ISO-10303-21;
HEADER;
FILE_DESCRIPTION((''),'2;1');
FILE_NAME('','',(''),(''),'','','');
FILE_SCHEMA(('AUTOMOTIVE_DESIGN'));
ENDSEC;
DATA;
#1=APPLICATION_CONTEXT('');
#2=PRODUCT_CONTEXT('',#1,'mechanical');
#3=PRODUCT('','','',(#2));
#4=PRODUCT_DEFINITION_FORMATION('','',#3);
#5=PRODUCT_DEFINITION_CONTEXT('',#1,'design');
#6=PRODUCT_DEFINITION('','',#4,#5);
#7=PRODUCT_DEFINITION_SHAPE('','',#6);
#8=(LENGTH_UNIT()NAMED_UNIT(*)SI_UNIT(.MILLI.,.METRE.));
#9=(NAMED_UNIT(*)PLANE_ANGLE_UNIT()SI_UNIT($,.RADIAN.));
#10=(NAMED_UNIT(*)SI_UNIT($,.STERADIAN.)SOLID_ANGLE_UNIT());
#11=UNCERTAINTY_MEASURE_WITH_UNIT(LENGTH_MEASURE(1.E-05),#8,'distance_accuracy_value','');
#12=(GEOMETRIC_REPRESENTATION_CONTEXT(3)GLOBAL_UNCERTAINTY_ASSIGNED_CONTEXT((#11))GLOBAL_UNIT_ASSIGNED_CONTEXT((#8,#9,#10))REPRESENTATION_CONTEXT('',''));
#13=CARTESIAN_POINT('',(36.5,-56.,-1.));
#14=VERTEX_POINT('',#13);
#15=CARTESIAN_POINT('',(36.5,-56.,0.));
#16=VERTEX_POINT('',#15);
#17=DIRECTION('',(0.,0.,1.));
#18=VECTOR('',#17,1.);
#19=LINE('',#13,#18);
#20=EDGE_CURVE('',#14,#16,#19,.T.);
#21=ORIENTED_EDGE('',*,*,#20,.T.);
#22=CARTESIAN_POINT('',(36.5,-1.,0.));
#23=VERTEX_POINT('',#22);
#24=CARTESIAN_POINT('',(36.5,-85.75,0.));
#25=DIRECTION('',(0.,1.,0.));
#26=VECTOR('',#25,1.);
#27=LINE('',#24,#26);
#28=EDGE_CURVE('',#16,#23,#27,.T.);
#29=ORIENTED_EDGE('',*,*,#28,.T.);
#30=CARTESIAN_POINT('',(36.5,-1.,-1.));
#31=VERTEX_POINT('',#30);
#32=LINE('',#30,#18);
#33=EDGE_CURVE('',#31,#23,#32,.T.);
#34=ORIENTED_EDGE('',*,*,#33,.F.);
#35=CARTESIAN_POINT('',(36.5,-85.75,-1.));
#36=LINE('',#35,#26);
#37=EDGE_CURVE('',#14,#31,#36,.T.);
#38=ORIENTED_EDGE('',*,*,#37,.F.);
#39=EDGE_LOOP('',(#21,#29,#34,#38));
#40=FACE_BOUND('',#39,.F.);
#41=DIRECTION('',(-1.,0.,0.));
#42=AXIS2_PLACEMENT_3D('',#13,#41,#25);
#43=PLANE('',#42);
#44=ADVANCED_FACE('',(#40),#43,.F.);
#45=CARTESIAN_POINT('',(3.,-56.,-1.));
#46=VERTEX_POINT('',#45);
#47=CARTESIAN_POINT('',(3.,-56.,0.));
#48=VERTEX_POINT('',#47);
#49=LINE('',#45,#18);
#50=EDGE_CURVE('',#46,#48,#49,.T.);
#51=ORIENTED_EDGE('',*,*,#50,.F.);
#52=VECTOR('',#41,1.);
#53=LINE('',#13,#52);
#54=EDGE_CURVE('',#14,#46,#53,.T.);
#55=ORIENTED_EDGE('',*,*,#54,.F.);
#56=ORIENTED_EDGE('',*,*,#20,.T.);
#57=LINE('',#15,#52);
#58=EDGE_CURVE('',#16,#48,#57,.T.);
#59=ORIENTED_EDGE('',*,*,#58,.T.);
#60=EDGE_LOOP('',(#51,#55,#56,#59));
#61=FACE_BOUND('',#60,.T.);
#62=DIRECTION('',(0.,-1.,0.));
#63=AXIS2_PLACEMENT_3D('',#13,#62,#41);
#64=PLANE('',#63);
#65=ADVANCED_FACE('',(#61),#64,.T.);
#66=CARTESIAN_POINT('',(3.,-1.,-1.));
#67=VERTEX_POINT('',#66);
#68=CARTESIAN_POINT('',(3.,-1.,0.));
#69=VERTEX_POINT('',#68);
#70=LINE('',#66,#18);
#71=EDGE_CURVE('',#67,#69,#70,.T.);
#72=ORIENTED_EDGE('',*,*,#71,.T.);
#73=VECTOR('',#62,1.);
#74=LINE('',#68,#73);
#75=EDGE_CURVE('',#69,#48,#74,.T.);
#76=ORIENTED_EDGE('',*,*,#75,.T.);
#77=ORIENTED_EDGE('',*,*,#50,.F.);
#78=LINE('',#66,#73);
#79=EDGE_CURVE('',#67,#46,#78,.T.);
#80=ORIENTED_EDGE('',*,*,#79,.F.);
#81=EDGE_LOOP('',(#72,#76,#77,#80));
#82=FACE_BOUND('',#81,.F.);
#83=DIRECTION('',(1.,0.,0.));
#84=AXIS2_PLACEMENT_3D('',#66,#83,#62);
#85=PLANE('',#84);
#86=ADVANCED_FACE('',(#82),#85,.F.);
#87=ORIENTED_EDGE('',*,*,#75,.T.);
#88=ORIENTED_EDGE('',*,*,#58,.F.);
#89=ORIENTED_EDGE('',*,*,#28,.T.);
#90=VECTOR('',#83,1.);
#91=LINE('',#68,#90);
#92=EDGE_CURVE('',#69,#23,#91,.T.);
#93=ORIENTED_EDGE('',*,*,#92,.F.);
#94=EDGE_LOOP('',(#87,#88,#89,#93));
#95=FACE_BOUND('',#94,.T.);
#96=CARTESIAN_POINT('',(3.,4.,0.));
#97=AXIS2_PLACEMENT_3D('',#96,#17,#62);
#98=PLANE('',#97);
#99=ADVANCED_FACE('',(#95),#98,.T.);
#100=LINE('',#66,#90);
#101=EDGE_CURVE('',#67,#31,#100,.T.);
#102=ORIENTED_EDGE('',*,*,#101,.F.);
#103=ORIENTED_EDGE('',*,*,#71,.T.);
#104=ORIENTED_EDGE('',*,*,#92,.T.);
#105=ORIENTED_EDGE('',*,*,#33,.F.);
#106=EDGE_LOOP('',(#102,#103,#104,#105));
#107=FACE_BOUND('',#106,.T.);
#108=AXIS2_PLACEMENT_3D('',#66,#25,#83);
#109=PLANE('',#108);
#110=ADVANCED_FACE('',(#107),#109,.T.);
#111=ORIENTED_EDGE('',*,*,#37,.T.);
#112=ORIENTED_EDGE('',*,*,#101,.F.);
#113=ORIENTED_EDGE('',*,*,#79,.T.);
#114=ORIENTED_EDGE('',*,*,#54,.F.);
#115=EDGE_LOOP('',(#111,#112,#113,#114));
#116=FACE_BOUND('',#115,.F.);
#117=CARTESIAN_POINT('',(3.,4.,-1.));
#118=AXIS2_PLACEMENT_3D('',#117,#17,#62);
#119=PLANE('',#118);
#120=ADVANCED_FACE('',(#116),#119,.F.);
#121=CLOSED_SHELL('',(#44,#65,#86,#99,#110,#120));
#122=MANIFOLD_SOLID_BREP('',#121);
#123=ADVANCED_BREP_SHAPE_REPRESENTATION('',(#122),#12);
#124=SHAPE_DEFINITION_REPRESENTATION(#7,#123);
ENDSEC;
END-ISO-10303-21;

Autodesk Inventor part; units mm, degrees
ref_plane "YZ Plane" through (0, 0, 0) normal (1, 0, 0) x (0, 1, 0)
ref_plane "XZ Plane" through (0, 0, 0) normal (0, 1, 0) x (-1, 0, 0)
ref_plane "XY Plane" through (0, 0, 0) normal (0, 0, 1) x (1, 0, 0)
ref_plane "Work Plane1" through (3, 4, -1) normal (0, 0, 1) x (0, -1, 0)
sketch "Sketch1" plane through (3, 4, -1) normal (0, 0, 1) x (0, -1, 0)
  line L0 (89.75, 33.5) -> (5, 33.5) projected
  line L1 (5, 0) -> (5, 33.5) projected
  line L2 (5, 0) -> (89.75, 0) projected
  line L3 (89.75, 0) -> (89.75, 33.5) projected
  line L4 (5, 0) -> (60, 0) projected
  line L5 (5, -3) -> (5, 0) projected
  line L6 (4, -3) -> (60, -3) projected
  line L7 (60, 0) -> (183, 0) projected
  line L8 (183, 0) -> (183, 4.5) projected
  line L9 (183, 4.5) -> (137.8889, 33.5) projected
  line L10 (137.8889, 33.5) -> (60, 33.5) projected
  line L11 (60, 33.5) -> (60, 0) projected
  line L12 (60, -3) -> (60, 0) projected
  point P0 (52, 0)
extrude "Extrusion1" add sketch "Sketch1" along normal blind 1 contours L11 L2 L1 L0
properties part number "right_metal_gear_bracker"
